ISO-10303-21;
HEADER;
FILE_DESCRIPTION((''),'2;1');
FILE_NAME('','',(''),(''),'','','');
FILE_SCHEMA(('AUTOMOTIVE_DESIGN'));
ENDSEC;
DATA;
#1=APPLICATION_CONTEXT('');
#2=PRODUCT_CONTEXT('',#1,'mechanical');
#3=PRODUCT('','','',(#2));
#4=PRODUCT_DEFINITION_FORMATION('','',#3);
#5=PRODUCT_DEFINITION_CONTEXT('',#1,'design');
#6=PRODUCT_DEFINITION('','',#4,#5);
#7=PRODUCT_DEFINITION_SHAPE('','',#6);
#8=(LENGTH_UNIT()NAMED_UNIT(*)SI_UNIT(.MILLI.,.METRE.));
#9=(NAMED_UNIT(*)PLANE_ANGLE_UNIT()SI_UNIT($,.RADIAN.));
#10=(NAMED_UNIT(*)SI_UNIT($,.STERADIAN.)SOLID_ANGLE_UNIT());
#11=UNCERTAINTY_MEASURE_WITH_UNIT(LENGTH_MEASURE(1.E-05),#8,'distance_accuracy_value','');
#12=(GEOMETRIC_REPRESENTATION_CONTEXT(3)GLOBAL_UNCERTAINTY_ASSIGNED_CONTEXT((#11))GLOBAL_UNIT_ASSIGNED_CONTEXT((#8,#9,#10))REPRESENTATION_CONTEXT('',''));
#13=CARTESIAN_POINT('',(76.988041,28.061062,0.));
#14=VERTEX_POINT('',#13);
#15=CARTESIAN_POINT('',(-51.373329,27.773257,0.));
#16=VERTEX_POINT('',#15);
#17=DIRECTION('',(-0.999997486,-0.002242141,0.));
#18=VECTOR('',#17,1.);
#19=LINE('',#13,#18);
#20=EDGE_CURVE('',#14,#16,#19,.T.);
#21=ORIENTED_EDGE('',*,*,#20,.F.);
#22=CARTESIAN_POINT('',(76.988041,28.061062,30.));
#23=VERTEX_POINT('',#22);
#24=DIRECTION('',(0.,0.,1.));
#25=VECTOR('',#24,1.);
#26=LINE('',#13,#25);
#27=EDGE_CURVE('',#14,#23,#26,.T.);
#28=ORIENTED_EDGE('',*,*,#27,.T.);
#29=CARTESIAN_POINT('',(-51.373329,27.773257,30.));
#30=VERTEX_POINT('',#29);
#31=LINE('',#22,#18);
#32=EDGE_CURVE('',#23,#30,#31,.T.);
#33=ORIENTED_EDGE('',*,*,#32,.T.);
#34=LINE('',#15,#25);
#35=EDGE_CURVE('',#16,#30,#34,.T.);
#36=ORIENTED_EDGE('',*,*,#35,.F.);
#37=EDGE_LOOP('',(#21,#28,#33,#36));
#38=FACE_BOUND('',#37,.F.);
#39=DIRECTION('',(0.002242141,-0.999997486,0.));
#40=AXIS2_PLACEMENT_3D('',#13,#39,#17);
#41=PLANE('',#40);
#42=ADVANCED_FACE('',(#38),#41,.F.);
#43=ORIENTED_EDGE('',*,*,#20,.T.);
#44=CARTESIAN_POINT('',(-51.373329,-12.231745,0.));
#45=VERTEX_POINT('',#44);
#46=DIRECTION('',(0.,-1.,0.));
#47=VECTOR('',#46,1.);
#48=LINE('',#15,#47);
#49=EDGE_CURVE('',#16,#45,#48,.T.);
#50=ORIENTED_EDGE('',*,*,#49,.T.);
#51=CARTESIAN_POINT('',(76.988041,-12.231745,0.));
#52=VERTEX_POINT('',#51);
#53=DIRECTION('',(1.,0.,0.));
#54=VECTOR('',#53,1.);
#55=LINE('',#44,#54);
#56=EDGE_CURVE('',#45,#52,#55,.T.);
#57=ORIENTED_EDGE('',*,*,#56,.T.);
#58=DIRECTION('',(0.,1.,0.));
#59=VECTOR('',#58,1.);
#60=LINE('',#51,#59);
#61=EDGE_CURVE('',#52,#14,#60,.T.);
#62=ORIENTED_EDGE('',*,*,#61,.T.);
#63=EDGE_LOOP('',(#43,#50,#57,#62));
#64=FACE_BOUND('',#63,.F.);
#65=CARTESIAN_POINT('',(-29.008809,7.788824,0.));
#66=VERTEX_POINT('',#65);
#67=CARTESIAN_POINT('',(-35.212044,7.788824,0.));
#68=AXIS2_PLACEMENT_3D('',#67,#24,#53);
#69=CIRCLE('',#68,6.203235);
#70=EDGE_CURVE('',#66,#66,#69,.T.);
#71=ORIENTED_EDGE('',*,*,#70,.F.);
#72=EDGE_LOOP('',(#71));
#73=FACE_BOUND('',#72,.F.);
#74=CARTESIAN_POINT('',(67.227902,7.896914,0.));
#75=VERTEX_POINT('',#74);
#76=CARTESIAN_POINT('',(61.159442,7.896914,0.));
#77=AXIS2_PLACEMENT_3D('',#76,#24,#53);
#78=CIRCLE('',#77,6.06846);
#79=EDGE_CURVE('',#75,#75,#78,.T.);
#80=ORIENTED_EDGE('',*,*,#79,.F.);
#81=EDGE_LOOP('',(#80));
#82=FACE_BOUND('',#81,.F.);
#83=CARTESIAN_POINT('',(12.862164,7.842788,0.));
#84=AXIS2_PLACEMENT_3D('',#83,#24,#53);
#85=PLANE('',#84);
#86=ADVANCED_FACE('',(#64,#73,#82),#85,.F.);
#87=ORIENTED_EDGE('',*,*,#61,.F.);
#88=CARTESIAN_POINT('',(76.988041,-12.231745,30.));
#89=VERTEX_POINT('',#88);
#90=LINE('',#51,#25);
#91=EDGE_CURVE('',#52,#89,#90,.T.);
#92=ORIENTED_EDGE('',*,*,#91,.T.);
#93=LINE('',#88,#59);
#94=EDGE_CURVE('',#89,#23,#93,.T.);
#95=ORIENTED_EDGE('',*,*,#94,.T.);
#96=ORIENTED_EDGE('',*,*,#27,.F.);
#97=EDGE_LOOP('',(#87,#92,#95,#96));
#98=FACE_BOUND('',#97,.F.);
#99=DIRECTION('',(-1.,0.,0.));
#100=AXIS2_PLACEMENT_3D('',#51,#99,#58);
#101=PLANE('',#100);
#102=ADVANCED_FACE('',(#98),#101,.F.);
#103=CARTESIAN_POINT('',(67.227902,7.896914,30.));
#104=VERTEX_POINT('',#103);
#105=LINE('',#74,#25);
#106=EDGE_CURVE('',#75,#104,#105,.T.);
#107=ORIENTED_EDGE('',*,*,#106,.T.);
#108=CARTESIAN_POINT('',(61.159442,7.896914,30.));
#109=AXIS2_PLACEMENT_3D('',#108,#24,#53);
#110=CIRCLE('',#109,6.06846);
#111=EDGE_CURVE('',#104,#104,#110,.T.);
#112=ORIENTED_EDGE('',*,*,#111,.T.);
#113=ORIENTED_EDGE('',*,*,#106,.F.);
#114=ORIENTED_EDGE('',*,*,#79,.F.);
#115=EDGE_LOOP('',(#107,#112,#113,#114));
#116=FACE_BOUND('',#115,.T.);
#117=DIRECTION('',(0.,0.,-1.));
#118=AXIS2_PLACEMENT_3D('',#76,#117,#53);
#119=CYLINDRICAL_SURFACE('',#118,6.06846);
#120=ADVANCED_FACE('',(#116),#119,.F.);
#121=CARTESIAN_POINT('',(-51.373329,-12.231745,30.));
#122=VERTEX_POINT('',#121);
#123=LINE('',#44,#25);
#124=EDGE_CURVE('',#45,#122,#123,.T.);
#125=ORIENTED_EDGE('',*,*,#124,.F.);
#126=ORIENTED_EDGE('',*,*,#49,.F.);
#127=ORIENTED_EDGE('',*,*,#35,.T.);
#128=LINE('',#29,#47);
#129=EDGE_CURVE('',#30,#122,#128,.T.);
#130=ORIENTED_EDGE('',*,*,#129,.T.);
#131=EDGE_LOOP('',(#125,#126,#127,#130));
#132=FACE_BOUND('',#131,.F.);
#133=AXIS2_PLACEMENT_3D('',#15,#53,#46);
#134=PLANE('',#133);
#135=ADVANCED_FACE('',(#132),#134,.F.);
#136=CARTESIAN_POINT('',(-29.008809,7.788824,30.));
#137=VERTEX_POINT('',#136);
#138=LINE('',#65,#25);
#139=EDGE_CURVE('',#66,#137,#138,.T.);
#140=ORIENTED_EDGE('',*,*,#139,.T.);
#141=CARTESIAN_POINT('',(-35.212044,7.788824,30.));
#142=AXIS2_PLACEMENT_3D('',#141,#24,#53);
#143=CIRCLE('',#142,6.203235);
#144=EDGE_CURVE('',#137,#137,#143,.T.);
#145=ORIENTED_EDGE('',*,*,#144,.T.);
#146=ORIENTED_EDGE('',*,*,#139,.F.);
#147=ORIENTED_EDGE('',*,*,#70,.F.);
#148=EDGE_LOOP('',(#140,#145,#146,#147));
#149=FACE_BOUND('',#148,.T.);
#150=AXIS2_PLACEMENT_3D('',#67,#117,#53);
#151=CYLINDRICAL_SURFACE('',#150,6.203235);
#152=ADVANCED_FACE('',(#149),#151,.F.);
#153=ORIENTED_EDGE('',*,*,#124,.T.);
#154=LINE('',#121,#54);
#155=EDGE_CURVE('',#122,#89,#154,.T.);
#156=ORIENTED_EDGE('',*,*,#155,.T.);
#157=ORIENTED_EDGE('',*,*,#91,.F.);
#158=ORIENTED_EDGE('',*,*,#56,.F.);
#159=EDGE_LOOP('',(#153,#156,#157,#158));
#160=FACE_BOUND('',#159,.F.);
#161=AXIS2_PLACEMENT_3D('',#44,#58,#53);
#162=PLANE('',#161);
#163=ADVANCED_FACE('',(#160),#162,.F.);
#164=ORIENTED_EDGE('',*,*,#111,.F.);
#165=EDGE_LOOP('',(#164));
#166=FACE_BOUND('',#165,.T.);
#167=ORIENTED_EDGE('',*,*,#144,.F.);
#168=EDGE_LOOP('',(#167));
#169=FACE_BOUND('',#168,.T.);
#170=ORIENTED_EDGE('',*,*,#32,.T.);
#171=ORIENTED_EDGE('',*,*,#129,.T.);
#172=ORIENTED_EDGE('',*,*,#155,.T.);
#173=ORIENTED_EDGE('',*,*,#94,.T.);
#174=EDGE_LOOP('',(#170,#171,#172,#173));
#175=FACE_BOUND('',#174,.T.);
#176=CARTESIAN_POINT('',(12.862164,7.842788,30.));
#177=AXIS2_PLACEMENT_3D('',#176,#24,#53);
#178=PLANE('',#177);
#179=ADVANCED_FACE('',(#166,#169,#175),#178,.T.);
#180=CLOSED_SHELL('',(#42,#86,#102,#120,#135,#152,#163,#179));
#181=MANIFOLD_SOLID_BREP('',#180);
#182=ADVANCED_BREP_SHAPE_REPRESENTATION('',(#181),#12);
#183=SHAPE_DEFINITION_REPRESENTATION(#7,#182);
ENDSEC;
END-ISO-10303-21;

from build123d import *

# Parameters (mm, degrees)
F0_R     = 6.203235
F0_R_2   = 6.06846
F1_DEPTH = 30


with BuildPart() as f1:
    # F0 (on Top) → F1 (new body)
    with BuildSketch(Plane.XY):
        Polygon((76.988041, 28.061062), (-51.373329, 27.773257), (-51.373329, -12.231745), (76.988041, -12.231745), align=None)
        with Locations((-35.212044, 7.788824)):
            Circle(F0_R, mode=Mode.SUBTRACT)
        with Locations((61.159442, 7.896914)):
            Circle(F0_R_2, mode=Mode.SUBTRACT)
    extrude(amount=F1_DEPTH)


solid = f1.part
